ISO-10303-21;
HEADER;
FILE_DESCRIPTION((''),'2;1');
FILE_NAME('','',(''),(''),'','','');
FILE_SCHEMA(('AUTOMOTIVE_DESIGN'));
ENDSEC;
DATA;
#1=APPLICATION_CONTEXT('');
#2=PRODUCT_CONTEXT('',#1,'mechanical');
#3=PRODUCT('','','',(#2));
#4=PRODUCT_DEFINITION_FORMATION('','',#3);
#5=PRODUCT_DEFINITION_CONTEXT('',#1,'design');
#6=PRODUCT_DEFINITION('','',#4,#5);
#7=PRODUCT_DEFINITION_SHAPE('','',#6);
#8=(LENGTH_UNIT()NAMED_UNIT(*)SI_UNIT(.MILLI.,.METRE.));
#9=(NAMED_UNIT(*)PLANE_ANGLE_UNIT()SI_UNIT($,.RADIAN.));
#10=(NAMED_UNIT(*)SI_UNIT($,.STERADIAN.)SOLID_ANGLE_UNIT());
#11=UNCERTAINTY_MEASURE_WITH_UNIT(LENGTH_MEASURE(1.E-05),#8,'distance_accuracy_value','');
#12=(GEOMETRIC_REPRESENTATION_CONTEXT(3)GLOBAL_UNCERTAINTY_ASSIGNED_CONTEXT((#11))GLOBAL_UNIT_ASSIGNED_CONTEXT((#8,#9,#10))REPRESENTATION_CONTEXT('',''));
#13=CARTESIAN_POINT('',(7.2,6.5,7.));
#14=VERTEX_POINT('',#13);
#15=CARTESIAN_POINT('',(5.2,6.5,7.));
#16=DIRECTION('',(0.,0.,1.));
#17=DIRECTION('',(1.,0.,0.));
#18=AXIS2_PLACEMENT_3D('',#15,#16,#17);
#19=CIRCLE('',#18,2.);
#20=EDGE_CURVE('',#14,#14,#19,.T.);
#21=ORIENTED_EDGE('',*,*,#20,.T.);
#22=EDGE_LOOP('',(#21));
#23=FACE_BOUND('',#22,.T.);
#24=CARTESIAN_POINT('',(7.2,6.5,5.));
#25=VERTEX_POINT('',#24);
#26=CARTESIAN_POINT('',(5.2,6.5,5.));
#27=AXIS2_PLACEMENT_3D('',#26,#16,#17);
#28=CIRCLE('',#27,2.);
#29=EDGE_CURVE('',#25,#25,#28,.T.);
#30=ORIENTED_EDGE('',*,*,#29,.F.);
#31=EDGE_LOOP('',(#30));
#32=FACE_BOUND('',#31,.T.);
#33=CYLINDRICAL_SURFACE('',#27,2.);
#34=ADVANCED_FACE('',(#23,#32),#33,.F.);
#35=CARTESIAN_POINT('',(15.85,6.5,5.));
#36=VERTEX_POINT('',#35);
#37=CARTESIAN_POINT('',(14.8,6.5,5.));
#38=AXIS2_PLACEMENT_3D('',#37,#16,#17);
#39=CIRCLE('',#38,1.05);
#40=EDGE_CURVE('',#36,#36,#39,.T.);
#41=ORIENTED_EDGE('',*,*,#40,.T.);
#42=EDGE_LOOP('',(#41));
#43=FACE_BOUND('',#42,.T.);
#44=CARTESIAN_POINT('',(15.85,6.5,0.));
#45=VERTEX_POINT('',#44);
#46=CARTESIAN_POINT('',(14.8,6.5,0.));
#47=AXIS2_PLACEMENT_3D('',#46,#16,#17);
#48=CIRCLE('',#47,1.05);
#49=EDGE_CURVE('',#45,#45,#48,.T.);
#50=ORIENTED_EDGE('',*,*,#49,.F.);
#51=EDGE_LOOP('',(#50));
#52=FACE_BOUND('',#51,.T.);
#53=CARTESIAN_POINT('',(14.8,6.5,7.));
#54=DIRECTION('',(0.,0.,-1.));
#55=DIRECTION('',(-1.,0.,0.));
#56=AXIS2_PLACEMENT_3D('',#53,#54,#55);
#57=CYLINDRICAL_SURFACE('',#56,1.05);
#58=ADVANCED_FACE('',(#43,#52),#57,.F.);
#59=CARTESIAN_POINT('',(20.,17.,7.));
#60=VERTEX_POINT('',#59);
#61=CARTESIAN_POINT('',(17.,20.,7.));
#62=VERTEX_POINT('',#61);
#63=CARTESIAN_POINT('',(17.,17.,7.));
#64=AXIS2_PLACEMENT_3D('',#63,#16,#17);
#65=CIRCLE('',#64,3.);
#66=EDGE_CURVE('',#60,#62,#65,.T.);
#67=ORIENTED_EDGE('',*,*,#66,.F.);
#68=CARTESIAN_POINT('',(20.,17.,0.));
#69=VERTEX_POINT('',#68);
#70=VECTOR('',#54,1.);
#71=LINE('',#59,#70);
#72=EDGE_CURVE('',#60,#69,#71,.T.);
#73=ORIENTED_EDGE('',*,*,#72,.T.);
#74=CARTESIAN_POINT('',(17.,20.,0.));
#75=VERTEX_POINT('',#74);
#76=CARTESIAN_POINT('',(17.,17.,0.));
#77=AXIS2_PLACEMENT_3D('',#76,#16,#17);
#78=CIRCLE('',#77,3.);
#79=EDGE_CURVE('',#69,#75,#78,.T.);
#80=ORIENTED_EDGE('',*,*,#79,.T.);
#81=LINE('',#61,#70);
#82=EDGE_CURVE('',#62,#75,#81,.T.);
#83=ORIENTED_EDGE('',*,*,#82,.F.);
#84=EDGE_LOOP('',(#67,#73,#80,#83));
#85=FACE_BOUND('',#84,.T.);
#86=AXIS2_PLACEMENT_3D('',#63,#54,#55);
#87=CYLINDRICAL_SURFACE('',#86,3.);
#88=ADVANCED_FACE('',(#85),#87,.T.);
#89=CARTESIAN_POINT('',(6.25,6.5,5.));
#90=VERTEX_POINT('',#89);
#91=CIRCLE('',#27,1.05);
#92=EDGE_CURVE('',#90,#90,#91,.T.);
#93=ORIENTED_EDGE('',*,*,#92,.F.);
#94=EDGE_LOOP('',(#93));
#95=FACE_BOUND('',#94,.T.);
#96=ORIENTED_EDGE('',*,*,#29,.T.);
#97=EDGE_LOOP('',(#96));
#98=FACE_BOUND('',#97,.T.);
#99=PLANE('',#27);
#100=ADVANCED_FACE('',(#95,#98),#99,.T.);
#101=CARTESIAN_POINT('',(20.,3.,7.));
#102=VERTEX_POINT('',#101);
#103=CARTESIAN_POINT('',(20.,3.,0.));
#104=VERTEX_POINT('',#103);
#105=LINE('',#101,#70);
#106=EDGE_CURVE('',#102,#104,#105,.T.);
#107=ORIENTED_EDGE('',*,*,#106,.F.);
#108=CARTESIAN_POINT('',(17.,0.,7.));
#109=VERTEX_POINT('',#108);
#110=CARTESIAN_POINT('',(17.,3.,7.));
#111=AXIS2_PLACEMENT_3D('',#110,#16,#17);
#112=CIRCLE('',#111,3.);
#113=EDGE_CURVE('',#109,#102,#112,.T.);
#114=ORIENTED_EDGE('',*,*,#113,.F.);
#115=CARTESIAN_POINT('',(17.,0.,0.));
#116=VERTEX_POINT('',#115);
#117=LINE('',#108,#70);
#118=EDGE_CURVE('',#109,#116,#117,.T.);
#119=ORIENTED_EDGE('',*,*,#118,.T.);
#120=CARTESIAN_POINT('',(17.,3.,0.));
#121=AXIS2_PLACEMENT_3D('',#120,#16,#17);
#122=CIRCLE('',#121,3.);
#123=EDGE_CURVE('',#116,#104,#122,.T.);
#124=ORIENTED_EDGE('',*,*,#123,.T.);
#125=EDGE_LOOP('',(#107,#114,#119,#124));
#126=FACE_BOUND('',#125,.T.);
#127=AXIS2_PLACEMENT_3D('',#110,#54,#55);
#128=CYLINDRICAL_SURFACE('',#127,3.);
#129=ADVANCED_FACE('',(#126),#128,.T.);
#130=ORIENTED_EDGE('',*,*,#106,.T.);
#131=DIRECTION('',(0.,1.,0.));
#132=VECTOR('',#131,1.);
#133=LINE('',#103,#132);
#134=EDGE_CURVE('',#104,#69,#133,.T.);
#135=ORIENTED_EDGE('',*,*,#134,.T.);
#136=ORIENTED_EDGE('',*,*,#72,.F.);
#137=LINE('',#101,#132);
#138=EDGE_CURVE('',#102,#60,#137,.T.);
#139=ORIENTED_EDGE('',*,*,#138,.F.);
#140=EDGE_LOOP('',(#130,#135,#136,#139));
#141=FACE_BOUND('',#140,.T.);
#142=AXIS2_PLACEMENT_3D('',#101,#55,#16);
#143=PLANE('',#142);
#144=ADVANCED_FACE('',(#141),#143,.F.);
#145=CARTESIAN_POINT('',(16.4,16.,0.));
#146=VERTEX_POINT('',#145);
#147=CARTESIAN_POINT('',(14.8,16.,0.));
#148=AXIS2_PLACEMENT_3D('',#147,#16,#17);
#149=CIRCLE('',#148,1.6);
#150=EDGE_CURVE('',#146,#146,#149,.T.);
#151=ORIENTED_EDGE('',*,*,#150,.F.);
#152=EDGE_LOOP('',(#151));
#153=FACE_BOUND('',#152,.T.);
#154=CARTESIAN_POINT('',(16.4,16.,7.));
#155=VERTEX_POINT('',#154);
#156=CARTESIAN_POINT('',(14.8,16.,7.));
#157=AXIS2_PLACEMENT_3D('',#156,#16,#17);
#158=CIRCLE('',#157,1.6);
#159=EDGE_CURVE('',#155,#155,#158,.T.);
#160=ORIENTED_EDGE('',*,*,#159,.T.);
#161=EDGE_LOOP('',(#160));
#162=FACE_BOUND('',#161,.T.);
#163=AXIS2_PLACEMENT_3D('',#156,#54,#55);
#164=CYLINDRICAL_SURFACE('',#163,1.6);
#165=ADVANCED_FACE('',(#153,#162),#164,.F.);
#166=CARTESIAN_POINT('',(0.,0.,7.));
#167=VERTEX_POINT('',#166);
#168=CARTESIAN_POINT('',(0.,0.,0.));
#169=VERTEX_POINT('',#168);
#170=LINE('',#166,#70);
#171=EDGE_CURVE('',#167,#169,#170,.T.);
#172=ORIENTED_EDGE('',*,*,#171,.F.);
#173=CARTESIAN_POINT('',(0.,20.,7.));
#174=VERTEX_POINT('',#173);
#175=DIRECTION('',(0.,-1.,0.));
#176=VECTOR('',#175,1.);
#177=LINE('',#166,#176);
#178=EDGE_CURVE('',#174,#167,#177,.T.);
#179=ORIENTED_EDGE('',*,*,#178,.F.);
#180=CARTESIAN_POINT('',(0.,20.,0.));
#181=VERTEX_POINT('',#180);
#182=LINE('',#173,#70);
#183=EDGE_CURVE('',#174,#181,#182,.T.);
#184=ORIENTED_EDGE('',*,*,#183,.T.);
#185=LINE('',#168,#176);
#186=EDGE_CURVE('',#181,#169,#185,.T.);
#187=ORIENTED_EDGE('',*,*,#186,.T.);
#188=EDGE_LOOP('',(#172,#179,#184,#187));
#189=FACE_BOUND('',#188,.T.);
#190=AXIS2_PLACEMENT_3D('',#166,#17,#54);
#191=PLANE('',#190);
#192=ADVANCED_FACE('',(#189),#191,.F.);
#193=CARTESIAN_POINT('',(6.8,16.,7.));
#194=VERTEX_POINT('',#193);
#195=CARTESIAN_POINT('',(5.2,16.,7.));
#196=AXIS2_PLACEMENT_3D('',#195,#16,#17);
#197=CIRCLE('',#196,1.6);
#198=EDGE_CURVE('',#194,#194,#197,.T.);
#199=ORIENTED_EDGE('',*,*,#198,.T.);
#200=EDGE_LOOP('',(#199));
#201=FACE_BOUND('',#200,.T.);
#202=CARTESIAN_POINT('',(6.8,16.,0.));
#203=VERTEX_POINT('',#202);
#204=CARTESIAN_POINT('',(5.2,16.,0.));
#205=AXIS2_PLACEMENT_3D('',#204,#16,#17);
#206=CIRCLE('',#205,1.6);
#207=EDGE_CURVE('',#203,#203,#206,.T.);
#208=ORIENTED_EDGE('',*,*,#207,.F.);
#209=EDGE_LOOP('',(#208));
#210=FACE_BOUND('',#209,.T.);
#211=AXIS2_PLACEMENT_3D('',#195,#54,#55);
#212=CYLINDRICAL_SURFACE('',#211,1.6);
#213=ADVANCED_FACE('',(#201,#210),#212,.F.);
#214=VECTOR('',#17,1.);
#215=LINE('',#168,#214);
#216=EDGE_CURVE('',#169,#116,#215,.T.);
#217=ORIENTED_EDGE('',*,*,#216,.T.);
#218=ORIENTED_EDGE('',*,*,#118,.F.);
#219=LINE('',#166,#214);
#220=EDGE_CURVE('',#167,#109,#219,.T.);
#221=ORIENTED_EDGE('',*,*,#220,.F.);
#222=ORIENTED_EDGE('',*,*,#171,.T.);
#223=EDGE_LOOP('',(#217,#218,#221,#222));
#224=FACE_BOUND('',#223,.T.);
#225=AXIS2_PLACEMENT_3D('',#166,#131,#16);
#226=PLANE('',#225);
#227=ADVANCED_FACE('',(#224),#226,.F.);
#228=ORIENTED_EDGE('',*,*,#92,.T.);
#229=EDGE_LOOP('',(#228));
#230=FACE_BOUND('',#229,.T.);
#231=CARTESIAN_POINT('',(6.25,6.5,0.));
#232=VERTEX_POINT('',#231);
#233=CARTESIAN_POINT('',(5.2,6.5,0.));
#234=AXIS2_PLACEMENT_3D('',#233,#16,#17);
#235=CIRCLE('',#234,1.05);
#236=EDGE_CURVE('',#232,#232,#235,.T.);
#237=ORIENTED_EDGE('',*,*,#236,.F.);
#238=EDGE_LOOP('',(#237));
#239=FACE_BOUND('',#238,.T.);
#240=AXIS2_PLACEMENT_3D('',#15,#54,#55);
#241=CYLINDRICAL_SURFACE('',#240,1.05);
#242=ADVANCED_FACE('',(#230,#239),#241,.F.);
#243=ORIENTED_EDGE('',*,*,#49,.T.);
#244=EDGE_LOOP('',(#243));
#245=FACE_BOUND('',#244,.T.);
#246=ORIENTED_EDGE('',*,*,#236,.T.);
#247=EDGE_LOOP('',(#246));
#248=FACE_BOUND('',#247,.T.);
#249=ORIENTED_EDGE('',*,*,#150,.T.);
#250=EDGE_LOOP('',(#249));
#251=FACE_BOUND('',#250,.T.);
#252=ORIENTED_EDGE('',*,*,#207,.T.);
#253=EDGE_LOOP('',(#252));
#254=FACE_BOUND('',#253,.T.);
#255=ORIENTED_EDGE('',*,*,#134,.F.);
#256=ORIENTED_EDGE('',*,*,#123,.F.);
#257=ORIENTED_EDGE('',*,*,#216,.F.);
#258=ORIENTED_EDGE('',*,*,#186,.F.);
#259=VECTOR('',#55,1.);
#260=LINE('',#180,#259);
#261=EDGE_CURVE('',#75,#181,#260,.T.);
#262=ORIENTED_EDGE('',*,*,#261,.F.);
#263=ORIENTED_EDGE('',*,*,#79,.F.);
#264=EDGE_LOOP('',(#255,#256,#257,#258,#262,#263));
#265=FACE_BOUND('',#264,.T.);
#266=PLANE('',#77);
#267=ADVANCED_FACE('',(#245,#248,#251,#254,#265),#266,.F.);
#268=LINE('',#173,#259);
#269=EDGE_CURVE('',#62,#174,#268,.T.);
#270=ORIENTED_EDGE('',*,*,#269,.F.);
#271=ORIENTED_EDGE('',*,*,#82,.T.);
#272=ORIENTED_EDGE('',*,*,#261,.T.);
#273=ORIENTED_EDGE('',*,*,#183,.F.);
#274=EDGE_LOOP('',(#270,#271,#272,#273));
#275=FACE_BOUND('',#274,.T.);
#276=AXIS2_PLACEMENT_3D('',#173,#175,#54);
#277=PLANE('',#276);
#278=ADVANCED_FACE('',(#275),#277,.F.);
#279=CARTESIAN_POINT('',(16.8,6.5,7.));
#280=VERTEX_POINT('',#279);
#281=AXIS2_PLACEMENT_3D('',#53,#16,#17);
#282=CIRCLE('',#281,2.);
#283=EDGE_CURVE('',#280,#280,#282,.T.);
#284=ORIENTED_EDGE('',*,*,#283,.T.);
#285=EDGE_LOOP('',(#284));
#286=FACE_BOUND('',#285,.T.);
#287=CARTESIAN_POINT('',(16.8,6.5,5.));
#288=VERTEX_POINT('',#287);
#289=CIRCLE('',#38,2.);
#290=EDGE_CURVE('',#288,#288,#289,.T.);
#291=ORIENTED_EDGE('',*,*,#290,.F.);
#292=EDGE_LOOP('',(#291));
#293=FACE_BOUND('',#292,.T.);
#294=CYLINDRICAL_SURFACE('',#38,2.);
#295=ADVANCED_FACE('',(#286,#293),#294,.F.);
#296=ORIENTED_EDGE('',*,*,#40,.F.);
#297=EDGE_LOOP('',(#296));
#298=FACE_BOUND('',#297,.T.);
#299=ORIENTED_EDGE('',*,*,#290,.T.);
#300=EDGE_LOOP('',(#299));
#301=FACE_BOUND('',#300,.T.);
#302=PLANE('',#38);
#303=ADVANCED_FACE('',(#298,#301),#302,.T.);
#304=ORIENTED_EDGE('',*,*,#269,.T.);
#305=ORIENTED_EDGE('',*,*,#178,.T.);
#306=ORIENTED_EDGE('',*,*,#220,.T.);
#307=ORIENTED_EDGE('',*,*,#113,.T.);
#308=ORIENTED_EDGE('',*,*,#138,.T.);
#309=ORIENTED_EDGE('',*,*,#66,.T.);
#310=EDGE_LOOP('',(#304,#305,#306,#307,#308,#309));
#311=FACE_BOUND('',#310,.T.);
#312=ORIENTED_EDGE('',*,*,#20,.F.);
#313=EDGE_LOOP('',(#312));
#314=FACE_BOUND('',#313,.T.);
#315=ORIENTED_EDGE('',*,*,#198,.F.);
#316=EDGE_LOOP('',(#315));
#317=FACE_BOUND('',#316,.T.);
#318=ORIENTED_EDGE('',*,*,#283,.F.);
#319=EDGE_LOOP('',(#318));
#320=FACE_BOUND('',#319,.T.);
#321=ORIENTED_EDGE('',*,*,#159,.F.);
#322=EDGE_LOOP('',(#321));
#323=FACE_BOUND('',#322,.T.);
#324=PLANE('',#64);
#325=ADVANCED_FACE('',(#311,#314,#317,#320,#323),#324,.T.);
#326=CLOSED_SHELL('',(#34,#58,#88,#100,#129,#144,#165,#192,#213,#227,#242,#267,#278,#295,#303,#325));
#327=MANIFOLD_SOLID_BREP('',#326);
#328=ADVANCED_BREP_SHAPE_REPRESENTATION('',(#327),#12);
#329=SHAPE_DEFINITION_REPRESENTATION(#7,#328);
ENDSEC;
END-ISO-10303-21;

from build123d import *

# Parameters (mm, degrees)
SKETCH1_R           = 1.6
SKETCH1_R_2         = 1.05
BOSS_EXTRUDE1_DEPTH = 7
SKETCH2_R           = 2
CUT_EXTRUDE1_DEPTH  = 2


with BuildPart() as part:
    # Sketch1 → Boss-Extrude1 (new body)
    with BuildSketch(Plane.XY):
        with BuildLine():
            Line((0, 0), (17, 0))
            ThreePointArc((17, 0), (19.121320344, 0.878679656), (20, 3))
            Line((20, 3), (20, 17))
            ThreePointArc((20, 17), (19.121320344, 19.121320344), (17, 20))
            Line((17, 20), (0, 20))
            Line((0, 20), (0, 0))
        make_face()
        with Locations((5.2, 16)):
            Circle(SKETCH1_R, mode=Mode.SUBTRACT)
        with Locations((14.8, 16)):
            Circle(SKETCH1_R, mode=Mode.SUBTRACT)
        with Locations((5.2, 6.5)):
            Circle(SKETCH1_R_2, mode=Mode.SUBTRACT)
        with Locations((14.8, 6.5)):
            Circle(SKETCH1_R_2, mode=Mode.SUBTRACT)
    extrude(amount=BOSS_EXTRUDE1_DEPTH)

    # Sketch2 → Cut-Extrude1 (cut)
    with BuildSketch(Plane.XY.offset(7)):
        with Locations((5.2, 6.5)):
            Circle(SKETCH2_R)
        with Locations((14.8, 6.5)):
            Circle(SKETCH2_R)
    extrude(amount=-CUT_EXTRUDE1_DEPTH, mode=Mode.SUBTRACT)


solid = part.part
